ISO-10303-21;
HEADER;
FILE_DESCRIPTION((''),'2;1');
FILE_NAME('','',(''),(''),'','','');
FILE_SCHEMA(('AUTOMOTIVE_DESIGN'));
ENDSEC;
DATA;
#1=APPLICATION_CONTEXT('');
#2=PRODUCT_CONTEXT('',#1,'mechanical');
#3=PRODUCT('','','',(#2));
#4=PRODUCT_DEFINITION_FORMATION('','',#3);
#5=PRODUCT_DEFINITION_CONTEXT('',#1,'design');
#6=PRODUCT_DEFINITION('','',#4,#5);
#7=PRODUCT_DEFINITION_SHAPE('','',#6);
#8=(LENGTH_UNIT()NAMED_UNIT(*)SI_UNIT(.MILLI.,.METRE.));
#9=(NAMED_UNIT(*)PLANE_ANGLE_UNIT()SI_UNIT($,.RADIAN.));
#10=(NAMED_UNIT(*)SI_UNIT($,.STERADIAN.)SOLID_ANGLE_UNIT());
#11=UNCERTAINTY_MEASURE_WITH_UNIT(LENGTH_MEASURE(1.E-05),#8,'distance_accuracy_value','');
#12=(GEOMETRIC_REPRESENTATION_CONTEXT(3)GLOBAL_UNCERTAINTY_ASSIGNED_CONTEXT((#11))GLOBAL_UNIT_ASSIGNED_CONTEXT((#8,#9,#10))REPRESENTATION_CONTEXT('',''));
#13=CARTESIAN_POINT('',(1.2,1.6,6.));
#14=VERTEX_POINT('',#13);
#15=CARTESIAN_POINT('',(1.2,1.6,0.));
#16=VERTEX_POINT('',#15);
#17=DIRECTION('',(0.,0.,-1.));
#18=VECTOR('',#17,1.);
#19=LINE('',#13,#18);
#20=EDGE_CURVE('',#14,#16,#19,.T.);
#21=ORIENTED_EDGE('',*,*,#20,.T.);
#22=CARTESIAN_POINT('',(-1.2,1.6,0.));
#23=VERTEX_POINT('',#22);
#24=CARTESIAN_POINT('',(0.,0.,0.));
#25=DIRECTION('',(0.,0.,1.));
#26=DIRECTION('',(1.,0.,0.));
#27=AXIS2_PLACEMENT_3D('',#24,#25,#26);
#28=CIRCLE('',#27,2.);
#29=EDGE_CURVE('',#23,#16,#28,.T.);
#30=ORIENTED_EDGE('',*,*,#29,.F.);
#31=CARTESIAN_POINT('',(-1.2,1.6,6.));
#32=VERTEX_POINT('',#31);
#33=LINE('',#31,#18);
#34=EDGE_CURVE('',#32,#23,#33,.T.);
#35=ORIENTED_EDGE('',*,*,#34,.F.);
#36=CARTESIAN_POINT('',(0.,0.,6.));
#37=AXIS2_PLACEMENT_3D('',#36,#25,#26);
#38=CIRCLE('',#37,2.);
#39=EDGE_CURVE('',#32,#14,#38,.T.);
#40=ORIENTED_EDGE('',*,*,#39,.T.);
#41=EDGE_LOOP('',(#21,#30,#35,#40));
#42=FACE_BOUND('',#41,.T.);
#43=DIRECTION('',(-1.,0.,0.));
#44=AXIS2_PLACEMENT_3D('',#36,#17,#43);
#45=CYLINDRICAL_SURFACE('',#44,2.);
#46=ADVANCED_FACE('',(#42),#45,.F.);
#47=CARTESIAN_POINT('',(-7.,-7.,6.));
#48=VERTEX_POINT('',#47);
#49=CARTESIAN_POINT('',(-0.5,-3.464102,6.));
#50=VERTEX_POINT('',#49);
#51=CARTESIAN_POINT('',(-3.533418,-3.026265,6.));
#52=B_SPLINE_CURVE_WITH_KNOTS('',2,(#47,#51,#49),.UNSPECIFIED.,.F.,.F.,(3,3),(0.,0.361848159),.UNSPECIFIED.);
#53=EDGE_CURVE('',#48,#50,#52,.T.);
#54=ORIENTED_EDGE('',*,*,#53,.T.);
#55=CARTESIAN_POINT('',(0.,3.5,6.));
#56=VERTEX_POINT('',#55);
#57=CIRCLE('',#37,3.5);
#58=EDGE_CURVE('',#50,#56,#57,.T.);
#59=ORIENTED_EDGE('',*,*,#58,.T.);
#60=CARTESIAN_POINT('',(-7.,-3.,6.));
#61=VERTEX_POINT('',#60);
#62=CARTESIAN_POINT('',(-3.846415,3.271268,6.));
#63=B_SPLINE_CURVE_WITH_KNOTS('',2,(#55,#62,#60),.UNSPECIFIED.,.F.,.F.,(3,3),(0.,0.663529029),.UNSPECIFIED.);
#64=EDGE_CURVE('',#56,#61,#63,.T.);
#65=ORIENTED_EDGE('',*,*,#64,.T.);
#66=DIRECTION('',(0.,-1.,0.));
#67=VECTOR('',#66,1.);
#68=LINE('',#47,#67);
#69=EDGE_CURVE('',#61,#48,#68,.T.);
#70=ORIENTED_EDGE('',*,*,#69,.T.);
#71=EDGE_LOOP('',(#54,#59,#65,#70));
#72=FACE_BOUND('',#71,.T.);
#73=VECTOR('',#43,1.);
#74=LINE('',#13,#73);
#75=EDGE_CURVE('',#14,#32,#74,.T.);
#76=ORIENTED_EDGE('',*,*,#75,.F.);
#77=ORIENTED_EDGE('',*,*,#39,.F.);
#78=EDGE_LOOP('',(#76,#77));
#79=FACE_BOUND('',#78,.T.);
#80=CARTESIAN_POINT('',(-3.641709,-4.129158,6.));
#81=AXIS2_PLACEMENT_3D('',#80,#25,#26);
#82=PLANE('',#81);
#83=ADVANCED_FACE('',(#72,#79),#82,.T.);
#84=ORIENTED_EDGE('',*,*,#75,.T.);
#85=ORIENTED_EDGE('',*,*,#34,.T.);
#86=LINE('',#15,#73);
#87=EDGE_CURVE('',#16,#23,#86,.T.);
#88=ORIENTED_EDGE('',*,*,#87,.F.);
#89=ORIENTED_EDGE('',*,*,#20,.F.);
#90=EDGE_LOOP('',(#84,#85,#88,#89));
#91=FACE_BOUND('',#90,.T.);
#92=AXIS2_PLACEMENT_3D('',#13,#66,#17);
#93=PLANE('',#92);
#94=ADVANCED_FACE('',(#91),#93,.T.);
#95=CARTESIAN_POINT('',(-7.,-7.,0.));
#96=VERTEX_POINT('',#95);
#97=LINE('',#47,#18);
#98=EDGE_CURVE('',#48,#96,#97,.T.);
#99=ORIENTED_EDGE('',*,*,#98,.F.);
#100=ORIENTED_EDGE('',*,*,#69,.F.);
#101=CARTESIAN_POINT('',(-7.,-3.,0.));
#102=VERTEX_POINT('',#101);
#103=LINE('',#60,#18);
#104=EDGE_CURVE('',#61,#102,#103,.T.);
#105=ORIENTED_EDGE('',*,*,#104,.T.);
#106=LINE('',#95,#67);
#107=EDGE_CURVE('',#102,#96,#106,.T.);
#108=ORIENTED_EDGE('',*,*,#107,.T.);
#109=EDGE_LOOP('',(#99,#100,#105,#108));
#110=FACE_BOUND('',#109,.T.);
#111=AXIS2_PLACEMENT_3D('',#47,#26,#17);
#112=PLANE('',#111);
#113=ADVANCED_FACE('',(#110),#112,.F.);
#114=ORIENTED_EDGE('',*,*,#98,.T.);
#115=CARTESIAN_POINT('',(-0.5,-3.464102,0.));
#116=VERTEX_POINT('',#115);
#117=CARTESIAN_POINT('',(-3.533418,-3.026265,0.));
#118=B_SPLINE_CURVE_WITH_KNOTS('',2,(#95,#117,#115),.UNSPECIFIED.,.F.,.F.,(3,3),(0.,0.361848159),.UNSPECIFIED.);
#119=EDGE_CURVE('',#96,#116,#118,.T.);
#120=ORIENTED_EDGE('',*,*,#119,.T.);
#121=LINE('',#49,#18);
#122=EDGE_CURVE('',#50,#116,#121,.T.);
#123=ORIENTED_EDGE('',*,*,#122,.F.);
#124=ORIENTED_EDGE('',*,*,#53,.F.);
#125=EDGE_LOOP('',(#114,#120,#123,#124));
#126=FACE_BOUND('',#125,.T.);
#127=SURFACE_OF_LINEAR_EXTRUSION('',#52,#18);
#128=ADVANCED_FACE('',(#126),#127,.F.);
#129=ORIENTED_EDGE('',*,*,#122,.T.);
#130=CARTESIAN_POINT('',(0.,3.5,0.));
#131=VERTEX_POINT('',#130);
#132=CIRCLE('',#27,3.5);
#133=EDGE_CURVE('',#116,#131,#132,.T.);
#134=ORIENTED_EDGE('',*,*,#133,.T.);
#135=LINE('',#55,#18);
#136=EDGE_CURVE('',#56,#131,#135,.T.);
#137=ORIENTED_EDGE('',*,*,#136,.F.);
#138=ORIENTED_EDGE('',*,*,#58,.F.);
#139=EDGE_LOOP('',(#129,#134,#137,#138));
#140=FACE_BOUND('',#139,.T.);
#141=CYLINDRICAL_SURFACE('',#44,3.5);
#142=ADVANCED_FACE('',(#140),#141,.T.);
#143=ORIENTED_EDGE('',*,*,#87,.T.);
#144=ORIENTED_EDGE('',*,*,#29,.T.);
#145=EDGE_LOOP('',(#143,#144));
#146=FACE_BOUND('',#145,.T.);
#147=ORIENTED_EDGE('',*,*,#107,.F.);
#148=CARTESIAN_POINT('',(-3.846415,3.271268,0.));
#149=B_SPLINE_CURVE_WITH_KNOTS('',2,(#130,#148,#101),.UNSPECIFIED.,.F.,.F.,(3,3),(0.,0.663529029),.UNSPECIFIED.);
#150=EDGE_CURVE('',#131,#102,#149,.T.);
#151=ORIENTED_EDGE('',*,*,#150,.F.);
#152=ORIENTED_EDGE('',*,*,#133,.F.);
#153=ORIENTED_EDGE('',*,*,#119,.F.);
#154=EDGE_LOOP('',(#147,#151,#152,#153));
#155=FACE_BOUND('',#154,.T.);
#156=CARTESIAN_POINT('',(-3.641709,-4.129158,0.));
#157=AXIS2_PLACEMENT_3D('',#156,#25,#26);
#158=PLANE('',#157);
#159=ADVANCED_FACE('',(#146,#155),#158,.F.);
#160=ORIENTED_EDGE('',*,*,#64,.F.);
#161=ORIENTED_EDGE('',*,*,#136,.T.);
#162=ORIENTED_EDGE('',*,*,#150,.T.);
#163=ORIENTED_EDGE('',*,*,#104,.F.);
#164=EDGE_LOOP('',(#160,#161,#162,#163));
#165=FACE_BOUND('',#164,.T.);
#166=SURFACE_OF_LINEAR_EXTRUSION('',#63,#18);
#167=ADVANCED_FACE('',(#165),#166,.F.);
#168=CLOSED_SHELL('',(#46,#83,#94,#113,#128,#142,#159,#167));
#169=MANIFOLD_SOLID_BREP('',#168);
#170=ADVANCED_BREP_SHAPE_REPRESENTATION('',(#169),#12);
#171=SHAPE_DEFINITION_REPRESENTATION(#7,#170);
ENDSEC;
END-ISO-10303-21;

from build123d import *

# Parameters (mm, degrees)
AUFSATZ_LINEAR_AUSTRAGEN1_DEPTH = 6


with BuildPart() as part:
    # Skizze1 → Aufsatz-Linear austragen1 (new body)
    with BuildSketch(Plane.XY):
        with BuildLine():
            Line((-7, -7), (-7, -3))
            add(Edge.make_bspline(
                [(-7, -3), (-3.846414533, 3.271268296), (0, 3.5)],
                knots=[0, 0, 0, 0.663529029, 0.663529029, 0.663529029], degree=2))
            ThreePointArc((0, 3.5), (3.491013868, -0.250643519), (-0.5, -3.464101615))
            add(Edge.make_bspline(
                [(-7, -7), (-3.533418442, -3.026265377), (-0.5, -3.464101615)],
                knots=[0, 0, 0, 0.361848159, 0.361848159, 0.361848159], degree=2))
        make_face()
        with BuildLine():
            Line((1.2, 1.6), (-1.2, 1.6))
            ThreePointArc((-1.2, 1.6), (0, -2), (1.2, 1.6))
        make_face(mode=Mode.SUBTRACT)
    extrude(amount=AUFSATZ_LINEAR_AUSTRAGEN1_DEPTH)


solid = part.part
